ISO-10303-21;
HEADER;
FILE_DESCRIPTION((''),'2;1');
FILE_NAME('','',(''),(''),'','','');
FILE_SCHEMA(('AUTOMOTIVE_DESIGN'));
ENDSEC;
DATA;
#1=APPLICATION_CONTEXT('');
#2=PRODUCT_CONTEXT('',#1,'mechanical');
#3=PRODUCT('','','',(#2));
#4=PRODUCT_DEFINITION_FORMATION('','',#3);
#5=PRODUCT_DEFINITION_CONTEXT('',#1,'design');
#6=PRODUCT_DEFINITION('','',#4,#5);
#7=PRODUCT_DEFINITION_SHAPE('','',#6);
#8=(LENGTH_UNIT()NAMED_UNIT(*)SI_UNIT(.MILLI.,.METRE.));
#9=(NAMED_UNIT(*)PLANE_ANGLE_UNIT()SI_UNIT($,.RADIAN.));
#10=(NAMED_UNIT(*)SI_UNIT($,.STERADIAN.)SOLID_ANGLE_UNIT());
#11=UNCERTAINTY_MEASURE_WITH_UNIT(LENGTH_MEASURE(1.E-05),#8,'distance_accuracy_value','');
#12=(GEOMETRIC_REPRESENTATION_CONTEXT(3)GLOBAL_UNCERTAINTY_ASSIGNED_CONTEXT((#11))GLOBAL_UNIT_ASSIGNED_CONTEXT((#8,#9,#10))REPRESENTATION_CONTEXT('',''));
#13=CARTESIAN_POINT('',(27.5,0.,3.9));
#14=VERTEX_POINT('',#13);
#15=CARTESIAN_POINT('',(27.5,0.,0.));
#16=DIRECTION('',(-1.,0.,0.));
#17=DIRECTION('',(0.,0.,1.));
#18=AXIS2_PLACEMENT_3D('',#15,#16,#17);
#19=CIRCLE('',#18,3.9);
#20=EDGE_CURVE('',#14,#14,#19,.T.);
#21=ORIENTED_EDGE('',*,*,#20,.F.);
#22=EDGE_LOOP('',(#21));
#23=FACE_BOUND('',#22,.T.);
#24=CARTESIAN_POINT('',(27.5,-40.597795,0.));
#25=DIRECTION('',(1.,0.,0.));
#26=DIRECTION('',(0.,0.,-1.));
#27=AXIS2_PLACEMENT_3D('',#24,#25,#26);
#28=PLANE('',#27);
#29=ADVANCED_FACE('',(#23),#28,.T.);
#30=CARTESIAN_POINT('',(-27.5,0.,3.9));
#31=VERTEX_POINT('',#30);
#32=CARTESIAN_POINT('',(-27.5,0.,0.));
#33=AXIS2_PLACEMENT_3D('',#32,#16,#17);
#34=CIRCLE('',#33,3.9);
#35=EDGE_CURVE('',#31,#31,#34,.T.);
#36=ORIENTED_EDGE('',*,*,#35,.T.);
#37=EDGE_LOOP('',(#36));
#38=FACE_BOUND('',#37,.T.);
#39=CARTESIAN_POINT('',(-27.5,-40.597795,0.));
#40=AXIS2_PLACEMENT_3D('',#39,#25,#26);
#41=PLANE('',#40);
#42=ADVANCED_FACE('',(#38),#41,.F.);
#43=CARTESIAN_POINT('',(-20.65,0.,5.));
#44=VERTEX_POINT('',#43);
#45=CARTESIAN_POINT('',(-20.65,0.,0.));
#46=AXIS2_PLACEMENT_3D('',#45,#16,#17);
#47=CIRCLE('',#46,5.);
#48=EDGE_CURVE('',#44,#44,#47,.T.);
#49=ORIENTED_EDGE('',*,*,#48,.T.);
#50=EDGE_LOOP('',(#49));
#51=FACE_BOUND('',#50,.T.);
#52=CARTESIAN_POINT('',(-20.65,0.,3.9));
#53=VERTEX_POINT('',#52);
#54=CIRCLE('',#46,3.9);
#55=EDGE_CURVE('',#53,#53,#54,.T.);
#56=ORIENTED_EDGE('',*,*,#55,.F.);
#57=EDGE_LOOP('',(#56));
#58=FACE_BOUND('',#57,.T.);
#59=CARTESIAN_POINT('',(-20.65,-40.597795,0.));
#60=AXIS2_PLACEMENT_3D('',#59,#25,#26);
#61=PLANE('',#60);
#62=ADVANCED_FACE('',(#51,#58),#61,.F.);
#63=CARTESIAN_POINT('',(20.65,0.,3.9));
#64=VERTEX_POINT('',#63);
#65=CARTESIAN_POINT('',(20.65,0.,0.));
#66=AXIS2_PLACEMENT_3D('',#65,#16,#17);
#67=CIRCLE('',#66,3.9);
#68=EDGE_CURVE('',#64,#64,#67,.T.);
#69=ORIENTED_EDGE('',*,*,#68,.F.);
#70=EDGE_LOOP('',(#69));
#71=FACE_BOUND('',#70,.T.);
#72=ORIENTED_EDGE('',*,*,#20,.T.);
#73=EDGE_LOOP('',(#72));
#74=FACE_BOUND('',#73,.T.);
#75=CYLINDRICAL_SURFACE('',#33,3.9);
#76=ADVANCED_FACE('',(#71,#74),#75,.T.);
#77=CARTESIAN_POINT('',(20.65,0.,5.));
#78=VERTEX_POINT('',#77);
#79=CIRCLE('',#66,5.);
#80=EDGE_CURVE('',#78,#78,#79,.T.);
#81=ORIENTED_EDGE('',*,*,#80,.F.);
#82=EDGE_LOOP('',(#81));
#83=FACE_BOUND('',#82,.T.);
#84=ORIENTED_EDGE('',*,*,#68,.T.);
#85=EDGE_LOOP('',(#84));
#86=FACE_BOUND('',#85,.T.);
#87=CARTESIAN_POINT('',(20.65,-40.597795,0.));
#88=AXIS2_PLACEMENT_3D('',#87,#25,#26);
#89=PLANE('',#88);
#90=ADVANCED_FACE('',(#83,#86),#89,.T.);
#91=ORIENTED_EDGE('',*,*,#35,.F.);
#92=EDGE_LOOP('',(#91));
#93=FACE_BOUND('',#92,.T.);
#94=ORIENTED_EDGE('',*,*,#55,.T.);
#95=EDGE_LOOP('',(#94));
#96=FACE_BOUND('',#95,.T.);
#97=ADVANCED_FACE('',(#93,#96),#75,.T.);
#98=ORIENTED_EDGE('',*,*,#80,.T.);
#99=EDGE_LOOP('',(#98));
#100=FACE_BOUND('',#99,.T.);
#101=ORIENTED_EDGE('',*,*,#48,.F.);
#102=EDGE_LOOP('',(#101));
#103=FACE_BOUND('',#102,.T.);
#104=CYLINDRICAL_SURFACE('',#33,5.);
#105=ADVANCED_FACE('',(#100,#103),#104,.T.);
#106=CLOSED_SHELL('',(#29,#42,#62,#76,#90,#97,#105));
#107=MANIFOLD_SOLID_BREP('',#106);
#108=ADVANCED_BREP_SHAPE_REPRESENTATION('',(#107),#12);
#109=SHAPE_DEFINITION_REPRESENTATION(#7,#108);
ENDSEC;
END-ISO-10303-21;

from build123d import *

# Parameters (mm, degrees)
SKETCH1_W = 6.85
SKETCH1_H = 3.9


with BuildPart() as part:
    # Sketch1 → Revolve1 (revolve)
    with BuildSketch(Plane.XY, mode=Mode.PRIVATE) as revolve1_sk:
        Polygon((20.65, 5), (-20.65, 5), (-20.65, 3.9), (-20.65, 0), (20.65, 0), (20.65, 3.9), align=None)
        with Locations((-24.075, 1.95)):
            Rectangle(SKETCH1_W, SKETCH1_H)
        with Locations((24.075, 1.95)):
            Rectangle(SKETCH1_W, SKETCH1_H)
    revolve(revolve1_sk.sketch.rotate(Axis((-27.5, 0, 0), (1, 0, 0)), 90), axis=Axis((-27.5, 0, 0), (1, 0, 0)))


solid = part.part
